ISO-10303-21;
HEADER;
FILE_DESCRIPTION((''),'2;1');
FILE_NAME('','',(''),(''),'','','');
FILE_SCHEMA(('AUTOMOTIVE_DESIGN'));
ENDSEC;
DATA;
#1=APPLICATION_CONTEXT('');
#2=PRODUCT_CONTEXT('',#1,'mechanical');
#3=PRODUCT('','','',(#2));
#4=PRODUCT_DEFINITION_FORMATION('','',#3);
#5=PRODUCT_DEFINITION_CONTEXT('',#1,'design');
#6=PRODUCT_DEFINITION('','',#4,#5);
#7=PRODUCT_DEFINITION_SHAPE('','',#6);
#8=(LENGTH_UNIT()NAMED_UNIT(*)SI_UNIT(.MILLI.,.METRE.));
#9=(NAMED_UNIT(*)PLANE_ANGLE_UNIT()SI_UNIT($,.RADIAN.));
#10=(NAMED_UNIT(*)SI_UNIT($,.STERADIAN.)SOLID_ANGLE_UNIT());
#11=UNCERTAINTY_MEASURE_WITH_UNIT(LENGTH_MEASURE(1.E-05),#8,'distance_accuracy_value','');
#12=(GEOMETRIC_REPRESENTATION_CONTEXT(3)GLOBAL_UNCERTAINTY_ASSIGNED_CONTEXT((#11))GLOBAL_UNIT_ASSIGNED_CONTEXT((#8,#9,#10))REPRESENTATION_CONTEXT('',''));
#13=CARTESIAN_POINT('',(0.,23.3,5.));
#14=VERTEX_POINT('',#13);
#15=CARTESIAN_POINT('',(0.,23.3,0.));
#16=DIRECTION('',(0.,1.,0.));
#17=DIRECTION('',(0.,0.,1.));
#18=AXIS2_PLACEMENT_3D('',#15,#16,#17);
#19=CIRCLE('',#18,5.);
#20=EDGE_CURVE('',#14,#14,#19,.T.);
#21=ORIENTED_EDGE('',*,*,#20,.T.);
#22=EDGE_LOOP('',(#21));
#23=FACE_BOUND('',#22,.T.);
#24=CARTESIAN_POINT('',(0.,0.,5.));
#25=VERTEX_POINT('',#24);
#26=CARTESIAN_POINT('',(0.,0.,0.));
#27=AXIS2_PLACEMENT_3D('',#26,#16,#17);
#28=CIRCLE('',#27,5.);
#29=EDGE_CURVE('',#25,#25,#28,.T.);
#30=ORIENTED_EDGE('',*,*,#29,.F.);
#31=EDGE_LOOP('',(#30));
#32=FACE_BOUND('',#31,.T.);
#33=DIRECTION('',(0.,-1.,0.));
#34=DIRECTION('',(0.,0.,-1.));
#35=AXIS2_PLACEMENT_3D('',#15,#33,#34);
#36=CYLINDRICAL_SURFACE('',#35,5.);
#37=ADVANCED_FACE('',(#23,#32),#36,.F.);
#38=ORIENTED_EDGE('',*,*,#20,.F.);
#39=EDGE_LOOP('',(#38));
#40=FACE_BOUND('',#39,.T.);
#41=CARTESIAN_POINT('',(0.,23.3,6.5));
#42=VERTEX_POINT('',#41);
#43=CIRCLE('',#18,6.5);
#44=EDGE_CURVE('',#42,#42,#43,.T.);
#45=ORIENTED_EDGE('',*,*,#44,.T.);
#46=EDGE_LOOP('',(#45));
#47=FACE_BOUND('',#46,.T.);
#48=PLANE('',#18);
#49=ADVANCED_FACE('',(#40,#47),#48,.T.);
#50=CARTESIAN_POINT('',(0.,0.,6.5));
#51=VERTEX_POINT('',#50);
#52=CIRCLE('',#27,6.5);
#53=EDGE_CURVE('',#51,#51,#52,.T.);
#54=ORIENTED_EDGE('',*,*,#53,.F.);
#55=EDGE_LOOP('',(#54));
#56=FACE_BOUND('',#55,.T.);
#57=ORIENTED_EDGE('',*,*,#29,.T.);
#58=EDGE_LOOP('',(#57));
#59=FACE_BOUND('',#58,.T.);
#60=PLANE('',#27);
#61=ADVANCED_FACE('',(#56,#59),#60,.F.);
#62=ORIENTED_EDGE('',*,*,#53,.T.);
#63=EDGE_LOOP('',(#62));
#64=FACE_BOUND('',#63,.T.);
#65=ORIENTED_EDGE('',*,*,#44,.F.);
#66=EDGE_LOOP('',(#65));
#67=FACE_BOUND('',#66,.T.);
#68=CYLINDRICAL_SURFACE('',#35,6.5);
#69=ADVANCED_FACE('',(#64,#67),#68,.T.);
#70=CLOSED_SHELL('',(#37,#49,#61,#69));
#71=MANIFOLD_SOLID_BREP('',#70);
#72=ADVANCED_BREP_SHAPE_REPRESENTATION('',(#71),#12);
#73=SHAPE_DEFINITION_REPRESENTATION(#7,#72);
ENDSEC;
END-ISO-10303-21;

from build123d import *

# Parameters (mm, degrees)
SKETCH1_R           = 6.5
SKETCH1_R_2         = 5
BOSS_EXTRUDE1_DEPTH = 23.3


with BuildPart() as part:
    # Sketch1 → Boss-Extrude1 (new body)
    with BuildSketch(Plane(origin=(0, 0, 0), x_dir=(1, 0, 0), z_dir=(0, 1, 0))):
        with Locations(Location((0, 0, 0), (0, 0, 270))):
            Circle(SKETCH1_R)
        with Locations(Location((0, 0, 0), (0, 0, 270))):
            Circle(SKETCH1_R_2, mode=Mode.SUBTRACT)
    extrude(amount=BOSS_EXTRUDE1_DEPTH)


solid = part.part
